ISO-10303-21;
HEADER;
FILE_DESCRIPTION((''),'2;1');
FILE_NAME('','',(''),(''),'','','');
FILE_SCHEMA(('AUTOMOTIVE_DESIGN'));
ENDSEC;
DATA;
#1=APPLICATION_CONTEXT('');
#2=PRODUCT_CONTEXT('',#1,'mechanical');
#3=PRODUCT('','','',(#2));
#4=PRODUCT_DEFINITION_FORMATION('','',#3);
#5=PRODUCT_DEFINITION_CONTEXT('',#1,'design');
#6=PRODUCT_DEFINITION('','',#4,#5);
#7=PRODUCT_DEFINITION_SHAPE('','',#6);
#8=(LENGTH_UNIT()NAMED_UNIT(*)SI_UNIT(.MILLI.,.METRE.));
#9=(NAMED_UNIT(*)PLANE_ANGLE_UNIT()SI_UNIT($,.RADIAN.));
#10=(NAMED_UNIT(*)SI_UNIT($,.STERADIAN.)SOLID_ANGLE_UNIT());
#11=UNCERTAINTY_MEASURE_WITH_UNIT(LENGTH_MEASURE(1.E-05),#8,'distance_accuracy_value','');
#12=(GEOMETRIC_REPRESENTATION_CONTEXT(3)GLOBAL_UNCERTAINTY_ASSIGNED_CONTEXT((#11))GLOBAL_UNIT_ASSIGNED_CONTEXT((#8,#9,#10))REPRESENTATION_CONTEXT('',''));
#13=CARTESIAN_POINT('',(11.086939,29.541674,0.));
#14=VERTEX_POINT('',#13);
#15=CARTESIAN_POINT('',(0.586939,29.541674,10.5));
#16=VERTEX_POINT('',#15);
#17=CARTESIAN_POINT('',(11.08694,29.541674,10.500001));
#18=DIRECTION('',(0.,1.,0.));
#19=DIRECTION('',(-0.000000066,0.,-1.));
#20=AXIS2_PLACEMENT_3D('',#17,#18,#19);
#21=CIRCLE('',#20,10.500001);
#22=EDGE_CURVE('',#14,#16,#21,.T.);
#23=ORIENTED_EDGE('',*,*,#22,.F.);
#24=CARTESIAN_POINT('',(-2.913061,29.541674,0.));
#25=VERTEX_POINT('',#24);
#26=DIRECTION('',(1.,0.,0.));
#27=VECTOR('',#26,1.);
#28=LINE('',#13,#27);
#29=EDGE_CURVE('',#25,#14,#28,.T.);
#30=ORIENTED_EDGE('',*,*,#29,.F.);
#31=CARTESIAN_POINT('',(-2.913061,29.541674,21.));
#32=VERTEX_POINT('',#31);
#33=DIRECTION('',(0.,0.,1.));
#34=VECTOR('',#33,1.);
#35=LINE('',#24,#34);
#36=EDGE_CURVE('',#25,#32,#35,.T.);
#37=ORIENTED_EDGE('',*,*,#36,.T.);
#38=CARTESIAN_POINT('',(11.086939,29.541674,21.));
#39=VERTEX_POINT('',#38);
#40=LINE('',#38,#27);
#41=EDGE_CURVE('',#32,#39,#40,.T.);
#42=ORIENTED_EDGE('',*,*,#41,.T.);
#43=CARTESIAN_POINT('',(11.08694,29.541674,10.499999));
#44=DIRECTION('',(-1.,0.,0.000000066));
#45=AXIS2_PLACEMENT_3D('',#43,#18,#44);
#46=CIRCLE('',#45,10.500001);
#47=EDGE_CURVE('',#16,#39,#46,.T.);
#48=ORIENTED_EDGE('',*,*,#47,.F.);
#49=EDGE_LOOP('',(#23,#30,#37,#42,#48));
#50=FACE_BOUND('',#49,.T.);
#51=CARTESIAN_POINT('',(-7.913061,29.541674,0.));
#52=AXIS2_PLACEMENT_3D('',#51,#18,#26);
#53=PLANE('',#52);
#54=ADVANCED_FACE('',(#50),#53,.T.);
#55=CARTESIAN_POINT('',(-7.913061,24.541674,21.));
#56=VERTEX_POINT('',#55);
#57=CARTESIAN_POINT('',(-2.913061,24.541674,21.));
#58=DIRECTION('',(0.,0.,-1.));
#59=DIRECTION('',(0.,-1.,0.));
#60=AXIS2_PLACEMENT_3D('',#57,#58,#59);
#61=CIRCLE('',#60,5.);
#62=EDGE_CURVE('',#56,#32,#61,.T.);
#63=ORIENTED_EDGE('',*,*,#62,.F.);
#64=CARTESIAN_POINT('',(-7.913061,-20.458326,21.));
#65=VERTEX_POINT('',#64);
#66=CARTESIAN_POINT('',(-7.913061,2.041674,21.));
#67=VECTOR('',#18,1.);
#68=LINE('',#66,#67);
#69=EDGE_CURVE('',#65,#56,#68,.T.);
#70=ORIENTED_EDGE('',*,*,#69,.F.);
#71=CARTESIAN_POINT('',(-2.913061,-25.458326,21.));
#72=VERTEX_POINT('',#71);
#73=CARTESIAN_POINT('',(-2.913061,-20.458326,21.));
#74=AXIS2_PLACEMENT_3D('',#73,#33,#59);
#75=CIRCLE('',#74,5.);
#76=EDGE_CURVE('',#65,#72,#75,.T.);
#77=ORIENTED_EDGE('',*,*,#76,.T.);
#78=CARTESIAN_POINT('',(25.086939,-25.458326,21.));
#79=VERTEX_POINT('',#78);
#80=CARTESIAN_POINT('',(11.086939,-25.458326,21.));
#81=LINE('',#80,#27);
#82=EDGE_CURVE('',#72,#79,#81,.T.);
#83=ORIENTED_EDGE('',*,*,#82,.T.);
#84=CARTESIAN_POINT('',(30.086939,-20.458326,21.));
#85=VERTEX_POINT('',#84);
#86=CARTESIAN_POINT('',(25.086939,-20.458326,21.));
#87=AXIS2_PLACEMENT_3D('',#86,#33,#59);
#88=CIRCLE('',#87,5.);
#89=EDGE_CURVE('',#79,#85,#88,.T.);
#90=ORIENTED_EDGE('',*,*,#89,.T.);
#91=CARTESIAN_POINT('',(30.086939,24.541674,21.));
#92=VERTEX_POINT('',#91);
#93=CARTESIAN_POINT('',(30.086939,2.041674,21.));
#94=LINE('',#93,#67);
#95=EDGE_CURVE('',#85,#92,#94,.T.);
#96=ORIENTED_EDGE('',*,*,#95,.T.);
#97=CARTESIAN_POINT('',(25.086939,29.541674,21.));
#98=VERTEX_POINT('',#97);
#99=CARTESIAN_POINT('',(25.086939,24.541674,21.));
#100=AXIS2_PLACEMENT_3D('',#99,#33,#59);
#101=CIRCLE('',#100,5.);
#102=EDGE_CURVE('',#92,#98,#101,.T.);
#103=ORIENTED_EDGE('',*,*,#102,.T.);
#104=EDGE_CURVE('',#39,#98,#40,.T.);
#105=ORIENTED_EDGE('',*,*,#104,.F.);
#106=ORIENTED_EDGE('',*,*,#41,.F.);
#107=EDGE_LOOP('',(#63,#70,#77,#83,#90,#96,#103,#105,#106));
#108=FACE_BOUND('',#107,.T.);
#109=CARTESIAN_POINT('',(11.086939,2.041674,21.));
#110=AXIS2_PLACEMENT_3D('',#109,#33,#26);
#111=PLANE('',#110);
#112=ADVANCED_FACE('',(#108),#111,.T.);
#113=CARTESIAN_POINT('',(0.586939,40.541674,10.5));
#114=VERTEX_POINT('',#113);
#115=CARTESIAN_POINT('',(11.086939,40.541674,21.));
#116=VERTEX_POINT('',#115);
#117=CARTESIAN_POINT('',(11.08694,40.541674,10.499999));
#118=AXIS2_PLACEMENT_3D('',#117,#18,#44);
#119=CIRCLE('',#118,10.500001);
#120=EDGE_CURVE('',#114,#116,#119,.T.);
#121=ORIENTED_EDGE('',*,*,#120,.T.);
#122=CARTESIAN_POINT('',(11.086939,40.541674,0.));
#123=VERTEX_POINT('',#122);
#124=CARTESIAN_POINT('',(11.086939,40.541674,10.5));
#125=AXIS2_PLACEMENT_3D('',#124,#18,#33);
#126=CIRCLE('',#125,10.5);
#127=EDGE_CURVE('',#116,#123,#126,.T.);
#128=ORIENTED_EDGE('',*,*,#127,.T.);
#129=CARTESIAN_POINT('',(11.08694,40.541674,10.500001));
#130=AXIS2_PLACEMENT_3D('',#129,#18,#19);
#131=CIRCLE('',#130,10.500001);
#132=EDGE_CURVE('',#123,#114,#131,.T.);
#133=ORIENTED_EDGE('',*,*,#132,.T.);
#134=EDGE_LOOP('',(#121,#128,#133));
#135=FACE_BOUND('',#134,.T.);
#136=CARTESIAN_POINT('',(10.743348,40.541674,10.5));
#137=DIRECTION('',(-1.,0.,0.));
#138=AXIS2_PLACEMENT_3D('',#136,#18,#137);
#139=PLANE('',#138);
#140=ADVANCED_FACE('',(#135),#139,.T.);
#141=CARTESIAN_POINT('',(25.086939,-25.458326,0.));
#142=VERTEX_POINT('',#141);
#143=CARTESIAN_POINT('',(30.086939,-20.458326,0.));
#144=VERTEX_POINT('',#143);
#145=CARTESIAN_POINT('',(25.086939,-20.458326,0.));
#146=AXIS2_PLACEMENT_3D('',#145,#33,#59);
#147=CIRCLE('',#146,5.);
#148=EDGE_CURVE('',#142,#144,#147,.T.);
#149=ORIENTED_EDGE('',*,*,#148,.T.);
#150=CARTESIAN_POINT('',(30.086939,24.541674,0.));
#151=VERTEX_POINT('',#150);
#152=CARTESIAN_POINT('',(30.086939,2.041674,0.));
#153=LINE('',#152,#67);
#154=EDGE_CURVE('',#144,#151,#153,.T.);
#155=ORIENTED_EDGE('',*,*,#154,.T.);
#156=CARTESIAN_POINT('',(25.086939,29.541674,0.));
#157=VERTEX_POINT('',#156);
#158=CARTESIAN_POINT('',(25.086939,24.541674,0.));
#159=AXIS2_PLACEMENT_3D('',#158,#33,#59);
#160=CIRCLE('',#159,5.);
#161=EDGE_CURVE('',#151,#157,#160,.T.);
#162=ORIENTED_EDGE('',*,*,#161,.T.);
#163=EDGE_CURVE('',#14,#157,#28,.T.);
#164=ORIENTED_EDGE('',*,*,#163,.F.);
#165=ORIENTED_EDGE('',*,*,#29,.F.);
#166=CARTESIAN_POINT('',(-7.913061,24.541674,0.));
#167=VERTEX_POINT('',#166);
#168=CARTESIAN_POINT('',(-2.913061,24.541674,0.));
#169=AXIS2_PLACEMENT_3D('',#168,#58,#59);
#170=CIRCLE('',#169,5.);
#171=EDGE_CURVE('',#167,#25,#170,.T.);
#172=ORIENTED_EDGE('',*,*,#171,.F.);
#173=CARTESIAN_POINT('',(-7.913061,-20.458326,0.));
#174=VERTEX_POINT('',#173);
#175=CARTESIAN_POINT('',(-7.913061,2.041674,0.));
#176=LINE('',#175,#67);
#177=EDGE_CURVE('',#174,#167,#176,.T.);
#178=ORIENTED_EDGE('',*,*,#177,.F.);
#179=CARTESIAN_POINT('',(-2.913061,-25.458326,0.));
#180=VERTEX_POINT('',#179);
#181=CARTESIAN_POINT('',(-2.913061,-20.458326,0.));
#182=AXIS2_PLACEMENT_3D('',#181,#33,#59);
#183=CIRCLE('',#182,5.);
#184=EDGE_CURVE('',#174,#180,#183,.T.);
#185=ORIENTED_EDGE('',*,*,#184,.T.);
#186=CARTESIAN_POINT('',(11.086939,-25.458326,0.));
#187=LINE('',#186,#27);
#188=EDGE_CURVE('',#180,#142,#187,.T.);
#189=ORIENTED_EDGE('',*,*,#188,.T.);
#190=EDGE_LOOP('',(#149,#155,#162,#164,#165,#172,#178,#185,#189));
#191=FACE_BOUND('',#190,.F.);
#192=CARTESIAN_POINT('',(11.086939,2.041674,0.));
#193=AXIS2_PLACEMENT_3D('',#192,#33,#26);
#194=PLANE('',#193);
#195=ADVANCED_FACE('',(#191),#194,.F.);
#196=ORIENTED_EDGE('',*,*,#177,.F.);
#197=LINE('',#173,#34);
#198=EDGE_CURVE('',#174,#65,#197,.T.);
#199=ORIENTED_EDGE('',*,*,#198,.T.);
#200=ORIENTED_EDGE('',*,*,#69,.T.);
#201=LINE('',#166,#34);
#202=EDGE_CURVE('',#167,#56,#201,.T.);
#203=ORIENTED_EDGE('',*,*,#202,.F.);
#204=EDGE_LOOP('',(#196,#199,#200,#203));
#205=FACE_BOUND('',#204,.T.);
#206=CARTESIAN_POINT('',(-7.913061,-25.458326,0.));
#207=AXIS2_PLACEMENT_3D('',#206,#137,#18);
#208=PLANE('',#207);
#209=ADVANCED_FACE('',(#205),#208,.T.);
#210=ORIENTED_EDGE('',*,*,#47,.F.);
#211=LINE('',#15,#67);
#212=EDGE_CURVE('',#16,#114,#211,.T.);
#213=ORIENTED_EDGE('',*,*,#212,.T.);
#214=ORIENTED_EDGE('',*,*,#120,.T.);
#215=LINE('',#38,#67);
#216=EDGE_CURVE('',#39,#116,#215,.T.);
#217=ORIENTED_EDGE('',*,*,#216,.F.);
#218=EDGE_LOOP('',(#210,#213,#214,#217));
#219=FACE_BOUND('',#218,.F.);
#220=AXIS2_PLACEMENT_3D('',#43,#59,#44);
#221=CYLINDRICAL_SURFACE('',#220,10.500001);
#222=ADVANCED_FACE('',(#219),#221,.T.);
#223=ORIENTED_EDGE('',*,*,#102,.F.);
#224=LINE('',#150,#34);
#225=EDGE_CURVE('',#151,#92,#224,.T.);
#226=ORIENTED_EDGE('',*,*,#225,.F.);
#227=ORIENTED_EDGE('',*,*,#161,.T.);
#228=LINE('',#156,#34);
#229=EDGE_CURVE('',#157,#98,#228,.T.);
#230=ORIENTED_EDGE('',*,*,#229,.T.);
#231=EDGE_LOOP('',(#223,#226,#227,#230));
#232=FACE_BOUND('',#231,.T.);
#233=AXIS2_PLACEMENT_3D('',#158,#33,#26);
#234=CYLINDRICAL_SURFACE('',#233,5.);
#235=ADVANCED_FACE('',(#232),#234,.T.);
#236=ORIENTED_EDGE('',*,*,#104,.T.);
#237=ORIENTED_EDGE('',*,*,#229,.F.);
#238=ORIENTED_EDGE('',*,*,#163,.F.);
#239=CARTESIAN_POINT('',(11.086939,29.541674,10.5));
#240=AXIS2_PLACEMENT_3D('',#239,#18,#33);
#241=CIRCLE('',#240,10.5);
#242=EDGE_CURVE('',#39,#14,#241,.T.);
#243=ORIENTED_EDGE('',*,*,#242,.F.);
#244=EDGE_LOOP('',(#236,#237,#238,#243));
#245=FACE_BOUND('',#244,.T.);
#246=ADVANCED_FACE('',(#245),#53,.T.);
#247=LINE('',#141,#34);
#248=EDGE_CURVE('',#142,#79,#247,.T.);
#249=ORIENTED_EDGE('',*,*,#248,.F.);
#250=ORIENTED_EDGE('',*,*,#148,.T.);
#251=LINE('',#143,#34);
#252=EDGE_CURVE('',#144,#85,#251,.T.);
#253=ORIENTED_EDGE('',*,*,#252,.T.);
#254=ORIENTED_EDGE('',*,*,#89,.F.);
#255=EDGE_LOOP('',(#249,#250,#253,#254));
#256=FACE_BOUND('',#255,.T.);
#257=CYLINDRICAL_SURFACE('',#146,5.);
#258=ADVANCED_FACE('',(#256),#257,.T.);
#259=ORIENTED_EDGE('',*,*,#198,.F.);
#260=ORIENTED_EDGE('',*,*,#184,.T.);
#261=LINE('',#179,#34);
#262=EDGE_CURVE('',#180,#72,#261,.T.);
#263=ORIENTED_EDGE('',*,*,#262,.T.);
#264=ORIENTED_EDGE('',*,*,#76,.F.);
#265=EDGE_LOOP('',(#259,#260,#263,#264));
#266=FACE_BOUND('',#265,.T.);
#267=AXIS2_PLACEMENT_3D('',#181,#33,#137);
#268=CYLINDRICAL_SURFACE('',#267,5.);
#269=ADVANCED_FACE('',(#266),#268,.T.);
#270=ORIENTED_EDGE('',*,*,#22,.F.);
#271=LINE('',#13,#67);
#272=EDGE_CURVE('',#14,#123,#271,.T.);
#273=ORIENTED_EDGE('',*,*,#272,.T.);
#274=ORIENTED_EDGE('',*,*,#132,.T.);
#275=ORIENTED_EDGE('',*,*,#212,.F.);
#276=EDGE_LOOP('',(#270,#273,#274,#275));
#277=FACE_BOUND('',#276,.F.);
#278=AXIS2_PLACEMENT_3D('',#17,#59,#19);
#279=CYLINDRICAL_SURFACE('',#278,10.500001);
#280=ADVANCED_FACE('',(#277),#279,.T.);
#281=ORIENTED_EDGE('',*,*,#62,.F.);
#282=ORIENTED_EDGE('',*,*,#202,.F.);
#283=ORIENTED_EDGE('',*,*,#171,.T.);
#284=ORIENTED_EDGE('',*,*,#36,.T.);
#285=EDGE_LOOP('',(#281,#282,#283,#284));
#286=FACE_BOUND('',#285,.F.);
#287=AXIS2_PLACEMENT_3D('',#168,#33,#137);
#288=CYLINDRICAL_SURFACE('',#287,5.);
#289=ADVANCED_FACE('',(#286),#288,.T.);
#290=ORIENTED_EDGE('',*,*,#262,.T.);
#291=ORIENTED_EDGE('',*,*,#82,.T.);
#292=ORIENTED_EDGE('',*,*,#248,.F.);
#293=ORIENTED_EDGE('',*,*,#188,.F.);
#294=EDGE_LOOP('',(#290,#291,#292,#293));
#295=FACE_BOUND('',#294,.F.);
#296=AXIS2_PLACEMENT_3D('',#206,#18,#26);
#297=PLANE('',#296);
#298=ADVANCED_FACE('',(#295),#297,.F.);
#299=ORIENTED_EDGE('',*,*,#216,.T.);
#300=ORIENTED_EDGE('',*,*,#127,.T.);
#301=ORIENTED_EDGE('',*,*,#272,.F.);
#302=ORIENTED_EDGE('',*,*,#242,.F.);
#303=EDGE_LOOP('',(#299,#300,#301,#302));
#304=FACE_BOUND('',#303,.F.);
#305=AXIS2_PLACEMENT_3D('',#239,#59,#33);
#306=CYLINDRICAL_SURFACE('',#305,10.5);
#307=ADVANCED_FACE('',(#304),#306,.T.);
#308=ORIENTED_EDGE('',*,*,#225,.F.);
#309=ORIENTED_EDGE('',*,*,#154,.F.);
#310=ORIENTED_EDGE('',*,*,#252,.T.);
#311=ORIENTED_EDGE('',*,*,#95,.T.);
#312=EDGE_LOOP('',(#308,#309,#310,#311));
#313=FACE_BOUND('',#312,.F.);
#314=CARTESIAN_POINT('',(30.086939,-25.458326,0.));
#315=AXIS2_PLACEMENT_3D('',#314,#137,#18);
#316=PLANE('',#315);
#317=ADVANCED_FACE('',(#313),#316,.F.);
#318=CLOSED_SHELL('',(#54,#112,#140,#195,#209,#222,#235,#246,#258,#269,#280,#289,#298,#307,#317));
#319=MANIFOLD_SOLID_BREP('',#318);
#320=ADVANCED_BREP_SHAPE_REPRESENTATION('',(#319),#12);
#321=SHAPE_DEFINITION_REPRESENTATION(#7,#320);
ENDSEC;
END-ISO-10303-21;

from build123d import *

# Parameters (mm, degrees)
F0_W     = 38
F0_H     = 55
F1_DEPTH = 21
F3_DEPTH = 11
F4_R     = 5


with BuildPart() as f1:
    # F0 (on Top) → F1 (new body)
    with BuildSketch(Plane.XY):
        with Locations((11.086939, 2.041674)):
            Rectangle(F0_W, F0_H)
    extrude(amount=F1_DEPTH)

    # F2 (on face) → F3 (join)
    with BuildSketch(Plane(origin=(0, 29.541674, 0), x_dir=(-1, 0, 0), z_dir=(0, 1, 0))):
        with BuildLine():
            ThreePointArc((-11.086939, 0), (-3.662318, 3.075379), (-0.586939, 10.5))
            ThreePointArc((-0.586939, 10.5), (-3.662318, 17.924621), (-11.086939, 21))
            ThreePointArc((-11.086939, 21), (-21.586939, 10.5), (-11.086939, 0))
        make_face()
    extrude(amount=F3_DEPTH)

    # F4
    f4_edges = [f1.edges().sort_by_distance(p)[0] for p in [
        (-7.913061, 29.541674, 10.5),
        (30.086939, 29.541674, 10.5),
        (30.086939, -25.458326, 10.5),
        (-7.913061, -25.458326, 10.5),
    ]]
    fillet(f4_edges, radius=F4_R)


solid = f1.part
